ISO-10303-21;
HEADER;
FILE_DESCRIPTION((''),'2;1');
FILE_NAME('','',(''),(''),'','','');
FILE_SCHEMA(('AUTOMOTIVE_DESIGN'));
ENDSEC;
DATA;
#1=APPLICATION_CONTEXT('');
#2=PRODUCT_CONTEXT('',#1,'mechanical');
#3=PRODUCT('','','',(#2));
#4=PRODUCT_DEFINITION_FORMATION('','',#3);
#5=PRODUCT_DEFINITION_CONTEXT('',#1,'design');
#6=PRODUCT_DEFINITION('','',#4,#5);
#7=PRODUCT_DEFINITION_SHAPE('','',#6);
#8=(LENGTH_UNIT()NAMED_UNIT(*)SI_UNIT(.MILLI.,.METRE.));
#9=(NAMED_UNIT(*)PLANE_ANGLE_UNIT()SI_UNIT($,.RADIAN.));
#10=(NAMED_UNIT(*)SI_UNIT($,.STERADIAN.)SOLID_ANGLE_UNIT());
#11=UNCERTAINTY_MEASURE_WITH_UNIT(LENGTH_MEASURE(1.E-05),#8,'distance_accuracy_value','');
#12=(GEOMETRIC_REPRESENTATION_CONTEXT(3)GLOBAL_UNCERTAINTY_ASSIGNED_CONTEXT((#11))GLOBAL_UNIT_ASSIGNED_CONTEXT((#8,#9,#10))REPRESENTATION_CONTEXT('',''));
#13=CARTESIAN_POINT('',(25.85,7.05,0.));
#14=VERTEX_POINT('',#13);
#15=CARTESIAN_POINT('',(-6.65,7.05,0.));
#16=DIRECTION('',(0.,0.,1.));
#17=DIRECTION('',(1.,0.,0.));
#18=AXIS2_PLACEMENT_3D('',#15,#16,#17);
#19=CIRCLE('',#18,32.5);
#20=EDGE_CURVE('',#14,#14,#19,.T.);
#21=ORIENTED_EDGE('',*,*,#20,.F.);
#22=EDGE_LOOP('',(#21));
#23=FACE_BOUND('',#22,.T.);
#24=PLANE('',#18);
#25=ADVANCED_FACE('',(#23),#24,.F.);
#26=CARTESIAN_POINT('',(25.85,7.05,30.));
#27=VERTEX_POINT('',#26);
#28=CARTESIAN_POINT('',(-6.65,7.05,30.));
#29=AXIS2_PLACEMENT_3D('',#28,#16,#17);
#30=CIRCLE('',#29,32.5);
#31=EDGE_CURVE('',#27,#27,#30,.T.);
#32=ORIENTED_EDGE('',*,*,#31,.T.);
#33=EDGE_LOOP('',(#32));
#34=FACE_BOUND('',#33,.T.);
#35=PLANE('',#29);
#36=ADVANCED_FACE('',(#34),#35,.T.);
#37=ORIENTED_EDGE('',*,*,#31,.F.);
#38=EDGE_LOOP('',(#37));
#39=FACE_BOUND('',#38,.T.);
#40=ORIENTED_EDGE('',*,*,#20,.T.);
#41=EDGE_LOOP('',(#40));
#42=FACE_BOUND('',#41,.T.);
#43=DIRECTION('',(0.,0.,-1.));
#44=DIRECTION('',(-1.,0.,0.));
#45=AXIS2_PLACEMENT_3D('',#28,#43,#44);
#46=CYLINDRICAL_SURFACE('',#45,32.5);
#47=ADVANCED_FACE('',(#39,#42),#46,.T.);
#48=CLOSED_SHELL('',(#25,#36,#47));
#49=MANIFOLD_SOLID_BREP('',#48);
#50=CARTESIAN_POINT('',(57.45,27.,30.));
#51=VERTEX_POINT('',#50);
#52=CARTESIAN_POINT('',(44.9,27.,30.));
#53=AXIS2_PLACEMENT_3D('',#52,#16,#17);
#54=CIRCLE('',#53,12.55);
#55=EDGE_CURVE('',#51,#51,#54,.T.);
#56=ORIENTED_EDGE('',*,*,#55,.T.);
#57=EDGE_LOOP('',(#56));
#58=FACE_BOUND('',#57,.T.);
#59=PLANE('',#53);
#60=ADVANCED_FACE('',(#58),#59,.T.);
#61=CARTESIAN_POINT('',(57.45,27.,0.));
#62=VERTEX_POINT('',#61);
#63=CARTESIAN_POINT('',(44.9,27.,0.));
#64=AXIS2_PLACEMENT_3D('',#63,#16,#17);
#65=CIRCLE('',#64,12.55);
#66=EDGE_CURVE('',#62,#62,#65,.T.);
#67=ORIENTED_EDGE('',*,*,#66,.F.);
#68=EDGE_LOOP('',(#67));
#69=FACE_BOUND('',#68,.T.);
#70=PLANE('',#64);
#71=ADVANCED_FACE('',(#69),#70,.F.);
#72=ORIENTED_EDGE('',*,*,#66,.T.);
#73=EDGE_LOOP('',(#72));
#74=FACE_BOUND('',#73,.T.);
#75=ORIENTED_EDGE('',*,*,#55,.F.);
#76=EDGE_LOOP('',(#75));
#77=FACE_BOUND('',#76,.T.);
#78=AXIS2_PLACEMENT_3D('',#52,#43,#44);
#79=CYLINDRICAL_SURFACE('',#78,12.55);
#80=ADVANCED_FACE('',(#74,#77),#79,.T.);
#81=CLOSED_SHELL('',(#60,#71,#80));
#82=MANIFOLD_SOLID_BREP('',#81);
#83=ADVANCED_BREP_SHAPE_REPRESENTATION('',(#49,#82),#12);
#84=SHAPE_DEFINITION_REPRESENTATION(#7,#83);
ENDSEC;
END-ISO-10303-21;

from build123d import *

# Parameters (mm, degrees)
CROQUIS1_R                = 12.55
SALIENTE_EXTRUIR1_DEPTH   = 30
CROQUIS1_R_2              = 32.5
SALIENTE_EXTRUIR1_2_DEPTH = 30


with BuildPart() as part:
    # Croquis1 → Saliente-Extruir1 (new body)
    with BuildSketch(Plane.XY):
        with Locations((44.9, 27)):
            Circle(CROQUIS1_R)
    extrude(amount=SALIENTE_EXTRUIR1_DEPTH)


with BuildPart() as body_2:
    # Croquis1 → Saliente-Extruir1 2 (new body)
    with BuildSketch(Plane.XY):
        with Locations((-6.65, 7.05)):
            Circle(CROQUIS1_R_2)
    extrude(amount=SALIENTE_EXTRUIR1_2_DEPTH)


solid = Compound([part.part, body_2.part])
